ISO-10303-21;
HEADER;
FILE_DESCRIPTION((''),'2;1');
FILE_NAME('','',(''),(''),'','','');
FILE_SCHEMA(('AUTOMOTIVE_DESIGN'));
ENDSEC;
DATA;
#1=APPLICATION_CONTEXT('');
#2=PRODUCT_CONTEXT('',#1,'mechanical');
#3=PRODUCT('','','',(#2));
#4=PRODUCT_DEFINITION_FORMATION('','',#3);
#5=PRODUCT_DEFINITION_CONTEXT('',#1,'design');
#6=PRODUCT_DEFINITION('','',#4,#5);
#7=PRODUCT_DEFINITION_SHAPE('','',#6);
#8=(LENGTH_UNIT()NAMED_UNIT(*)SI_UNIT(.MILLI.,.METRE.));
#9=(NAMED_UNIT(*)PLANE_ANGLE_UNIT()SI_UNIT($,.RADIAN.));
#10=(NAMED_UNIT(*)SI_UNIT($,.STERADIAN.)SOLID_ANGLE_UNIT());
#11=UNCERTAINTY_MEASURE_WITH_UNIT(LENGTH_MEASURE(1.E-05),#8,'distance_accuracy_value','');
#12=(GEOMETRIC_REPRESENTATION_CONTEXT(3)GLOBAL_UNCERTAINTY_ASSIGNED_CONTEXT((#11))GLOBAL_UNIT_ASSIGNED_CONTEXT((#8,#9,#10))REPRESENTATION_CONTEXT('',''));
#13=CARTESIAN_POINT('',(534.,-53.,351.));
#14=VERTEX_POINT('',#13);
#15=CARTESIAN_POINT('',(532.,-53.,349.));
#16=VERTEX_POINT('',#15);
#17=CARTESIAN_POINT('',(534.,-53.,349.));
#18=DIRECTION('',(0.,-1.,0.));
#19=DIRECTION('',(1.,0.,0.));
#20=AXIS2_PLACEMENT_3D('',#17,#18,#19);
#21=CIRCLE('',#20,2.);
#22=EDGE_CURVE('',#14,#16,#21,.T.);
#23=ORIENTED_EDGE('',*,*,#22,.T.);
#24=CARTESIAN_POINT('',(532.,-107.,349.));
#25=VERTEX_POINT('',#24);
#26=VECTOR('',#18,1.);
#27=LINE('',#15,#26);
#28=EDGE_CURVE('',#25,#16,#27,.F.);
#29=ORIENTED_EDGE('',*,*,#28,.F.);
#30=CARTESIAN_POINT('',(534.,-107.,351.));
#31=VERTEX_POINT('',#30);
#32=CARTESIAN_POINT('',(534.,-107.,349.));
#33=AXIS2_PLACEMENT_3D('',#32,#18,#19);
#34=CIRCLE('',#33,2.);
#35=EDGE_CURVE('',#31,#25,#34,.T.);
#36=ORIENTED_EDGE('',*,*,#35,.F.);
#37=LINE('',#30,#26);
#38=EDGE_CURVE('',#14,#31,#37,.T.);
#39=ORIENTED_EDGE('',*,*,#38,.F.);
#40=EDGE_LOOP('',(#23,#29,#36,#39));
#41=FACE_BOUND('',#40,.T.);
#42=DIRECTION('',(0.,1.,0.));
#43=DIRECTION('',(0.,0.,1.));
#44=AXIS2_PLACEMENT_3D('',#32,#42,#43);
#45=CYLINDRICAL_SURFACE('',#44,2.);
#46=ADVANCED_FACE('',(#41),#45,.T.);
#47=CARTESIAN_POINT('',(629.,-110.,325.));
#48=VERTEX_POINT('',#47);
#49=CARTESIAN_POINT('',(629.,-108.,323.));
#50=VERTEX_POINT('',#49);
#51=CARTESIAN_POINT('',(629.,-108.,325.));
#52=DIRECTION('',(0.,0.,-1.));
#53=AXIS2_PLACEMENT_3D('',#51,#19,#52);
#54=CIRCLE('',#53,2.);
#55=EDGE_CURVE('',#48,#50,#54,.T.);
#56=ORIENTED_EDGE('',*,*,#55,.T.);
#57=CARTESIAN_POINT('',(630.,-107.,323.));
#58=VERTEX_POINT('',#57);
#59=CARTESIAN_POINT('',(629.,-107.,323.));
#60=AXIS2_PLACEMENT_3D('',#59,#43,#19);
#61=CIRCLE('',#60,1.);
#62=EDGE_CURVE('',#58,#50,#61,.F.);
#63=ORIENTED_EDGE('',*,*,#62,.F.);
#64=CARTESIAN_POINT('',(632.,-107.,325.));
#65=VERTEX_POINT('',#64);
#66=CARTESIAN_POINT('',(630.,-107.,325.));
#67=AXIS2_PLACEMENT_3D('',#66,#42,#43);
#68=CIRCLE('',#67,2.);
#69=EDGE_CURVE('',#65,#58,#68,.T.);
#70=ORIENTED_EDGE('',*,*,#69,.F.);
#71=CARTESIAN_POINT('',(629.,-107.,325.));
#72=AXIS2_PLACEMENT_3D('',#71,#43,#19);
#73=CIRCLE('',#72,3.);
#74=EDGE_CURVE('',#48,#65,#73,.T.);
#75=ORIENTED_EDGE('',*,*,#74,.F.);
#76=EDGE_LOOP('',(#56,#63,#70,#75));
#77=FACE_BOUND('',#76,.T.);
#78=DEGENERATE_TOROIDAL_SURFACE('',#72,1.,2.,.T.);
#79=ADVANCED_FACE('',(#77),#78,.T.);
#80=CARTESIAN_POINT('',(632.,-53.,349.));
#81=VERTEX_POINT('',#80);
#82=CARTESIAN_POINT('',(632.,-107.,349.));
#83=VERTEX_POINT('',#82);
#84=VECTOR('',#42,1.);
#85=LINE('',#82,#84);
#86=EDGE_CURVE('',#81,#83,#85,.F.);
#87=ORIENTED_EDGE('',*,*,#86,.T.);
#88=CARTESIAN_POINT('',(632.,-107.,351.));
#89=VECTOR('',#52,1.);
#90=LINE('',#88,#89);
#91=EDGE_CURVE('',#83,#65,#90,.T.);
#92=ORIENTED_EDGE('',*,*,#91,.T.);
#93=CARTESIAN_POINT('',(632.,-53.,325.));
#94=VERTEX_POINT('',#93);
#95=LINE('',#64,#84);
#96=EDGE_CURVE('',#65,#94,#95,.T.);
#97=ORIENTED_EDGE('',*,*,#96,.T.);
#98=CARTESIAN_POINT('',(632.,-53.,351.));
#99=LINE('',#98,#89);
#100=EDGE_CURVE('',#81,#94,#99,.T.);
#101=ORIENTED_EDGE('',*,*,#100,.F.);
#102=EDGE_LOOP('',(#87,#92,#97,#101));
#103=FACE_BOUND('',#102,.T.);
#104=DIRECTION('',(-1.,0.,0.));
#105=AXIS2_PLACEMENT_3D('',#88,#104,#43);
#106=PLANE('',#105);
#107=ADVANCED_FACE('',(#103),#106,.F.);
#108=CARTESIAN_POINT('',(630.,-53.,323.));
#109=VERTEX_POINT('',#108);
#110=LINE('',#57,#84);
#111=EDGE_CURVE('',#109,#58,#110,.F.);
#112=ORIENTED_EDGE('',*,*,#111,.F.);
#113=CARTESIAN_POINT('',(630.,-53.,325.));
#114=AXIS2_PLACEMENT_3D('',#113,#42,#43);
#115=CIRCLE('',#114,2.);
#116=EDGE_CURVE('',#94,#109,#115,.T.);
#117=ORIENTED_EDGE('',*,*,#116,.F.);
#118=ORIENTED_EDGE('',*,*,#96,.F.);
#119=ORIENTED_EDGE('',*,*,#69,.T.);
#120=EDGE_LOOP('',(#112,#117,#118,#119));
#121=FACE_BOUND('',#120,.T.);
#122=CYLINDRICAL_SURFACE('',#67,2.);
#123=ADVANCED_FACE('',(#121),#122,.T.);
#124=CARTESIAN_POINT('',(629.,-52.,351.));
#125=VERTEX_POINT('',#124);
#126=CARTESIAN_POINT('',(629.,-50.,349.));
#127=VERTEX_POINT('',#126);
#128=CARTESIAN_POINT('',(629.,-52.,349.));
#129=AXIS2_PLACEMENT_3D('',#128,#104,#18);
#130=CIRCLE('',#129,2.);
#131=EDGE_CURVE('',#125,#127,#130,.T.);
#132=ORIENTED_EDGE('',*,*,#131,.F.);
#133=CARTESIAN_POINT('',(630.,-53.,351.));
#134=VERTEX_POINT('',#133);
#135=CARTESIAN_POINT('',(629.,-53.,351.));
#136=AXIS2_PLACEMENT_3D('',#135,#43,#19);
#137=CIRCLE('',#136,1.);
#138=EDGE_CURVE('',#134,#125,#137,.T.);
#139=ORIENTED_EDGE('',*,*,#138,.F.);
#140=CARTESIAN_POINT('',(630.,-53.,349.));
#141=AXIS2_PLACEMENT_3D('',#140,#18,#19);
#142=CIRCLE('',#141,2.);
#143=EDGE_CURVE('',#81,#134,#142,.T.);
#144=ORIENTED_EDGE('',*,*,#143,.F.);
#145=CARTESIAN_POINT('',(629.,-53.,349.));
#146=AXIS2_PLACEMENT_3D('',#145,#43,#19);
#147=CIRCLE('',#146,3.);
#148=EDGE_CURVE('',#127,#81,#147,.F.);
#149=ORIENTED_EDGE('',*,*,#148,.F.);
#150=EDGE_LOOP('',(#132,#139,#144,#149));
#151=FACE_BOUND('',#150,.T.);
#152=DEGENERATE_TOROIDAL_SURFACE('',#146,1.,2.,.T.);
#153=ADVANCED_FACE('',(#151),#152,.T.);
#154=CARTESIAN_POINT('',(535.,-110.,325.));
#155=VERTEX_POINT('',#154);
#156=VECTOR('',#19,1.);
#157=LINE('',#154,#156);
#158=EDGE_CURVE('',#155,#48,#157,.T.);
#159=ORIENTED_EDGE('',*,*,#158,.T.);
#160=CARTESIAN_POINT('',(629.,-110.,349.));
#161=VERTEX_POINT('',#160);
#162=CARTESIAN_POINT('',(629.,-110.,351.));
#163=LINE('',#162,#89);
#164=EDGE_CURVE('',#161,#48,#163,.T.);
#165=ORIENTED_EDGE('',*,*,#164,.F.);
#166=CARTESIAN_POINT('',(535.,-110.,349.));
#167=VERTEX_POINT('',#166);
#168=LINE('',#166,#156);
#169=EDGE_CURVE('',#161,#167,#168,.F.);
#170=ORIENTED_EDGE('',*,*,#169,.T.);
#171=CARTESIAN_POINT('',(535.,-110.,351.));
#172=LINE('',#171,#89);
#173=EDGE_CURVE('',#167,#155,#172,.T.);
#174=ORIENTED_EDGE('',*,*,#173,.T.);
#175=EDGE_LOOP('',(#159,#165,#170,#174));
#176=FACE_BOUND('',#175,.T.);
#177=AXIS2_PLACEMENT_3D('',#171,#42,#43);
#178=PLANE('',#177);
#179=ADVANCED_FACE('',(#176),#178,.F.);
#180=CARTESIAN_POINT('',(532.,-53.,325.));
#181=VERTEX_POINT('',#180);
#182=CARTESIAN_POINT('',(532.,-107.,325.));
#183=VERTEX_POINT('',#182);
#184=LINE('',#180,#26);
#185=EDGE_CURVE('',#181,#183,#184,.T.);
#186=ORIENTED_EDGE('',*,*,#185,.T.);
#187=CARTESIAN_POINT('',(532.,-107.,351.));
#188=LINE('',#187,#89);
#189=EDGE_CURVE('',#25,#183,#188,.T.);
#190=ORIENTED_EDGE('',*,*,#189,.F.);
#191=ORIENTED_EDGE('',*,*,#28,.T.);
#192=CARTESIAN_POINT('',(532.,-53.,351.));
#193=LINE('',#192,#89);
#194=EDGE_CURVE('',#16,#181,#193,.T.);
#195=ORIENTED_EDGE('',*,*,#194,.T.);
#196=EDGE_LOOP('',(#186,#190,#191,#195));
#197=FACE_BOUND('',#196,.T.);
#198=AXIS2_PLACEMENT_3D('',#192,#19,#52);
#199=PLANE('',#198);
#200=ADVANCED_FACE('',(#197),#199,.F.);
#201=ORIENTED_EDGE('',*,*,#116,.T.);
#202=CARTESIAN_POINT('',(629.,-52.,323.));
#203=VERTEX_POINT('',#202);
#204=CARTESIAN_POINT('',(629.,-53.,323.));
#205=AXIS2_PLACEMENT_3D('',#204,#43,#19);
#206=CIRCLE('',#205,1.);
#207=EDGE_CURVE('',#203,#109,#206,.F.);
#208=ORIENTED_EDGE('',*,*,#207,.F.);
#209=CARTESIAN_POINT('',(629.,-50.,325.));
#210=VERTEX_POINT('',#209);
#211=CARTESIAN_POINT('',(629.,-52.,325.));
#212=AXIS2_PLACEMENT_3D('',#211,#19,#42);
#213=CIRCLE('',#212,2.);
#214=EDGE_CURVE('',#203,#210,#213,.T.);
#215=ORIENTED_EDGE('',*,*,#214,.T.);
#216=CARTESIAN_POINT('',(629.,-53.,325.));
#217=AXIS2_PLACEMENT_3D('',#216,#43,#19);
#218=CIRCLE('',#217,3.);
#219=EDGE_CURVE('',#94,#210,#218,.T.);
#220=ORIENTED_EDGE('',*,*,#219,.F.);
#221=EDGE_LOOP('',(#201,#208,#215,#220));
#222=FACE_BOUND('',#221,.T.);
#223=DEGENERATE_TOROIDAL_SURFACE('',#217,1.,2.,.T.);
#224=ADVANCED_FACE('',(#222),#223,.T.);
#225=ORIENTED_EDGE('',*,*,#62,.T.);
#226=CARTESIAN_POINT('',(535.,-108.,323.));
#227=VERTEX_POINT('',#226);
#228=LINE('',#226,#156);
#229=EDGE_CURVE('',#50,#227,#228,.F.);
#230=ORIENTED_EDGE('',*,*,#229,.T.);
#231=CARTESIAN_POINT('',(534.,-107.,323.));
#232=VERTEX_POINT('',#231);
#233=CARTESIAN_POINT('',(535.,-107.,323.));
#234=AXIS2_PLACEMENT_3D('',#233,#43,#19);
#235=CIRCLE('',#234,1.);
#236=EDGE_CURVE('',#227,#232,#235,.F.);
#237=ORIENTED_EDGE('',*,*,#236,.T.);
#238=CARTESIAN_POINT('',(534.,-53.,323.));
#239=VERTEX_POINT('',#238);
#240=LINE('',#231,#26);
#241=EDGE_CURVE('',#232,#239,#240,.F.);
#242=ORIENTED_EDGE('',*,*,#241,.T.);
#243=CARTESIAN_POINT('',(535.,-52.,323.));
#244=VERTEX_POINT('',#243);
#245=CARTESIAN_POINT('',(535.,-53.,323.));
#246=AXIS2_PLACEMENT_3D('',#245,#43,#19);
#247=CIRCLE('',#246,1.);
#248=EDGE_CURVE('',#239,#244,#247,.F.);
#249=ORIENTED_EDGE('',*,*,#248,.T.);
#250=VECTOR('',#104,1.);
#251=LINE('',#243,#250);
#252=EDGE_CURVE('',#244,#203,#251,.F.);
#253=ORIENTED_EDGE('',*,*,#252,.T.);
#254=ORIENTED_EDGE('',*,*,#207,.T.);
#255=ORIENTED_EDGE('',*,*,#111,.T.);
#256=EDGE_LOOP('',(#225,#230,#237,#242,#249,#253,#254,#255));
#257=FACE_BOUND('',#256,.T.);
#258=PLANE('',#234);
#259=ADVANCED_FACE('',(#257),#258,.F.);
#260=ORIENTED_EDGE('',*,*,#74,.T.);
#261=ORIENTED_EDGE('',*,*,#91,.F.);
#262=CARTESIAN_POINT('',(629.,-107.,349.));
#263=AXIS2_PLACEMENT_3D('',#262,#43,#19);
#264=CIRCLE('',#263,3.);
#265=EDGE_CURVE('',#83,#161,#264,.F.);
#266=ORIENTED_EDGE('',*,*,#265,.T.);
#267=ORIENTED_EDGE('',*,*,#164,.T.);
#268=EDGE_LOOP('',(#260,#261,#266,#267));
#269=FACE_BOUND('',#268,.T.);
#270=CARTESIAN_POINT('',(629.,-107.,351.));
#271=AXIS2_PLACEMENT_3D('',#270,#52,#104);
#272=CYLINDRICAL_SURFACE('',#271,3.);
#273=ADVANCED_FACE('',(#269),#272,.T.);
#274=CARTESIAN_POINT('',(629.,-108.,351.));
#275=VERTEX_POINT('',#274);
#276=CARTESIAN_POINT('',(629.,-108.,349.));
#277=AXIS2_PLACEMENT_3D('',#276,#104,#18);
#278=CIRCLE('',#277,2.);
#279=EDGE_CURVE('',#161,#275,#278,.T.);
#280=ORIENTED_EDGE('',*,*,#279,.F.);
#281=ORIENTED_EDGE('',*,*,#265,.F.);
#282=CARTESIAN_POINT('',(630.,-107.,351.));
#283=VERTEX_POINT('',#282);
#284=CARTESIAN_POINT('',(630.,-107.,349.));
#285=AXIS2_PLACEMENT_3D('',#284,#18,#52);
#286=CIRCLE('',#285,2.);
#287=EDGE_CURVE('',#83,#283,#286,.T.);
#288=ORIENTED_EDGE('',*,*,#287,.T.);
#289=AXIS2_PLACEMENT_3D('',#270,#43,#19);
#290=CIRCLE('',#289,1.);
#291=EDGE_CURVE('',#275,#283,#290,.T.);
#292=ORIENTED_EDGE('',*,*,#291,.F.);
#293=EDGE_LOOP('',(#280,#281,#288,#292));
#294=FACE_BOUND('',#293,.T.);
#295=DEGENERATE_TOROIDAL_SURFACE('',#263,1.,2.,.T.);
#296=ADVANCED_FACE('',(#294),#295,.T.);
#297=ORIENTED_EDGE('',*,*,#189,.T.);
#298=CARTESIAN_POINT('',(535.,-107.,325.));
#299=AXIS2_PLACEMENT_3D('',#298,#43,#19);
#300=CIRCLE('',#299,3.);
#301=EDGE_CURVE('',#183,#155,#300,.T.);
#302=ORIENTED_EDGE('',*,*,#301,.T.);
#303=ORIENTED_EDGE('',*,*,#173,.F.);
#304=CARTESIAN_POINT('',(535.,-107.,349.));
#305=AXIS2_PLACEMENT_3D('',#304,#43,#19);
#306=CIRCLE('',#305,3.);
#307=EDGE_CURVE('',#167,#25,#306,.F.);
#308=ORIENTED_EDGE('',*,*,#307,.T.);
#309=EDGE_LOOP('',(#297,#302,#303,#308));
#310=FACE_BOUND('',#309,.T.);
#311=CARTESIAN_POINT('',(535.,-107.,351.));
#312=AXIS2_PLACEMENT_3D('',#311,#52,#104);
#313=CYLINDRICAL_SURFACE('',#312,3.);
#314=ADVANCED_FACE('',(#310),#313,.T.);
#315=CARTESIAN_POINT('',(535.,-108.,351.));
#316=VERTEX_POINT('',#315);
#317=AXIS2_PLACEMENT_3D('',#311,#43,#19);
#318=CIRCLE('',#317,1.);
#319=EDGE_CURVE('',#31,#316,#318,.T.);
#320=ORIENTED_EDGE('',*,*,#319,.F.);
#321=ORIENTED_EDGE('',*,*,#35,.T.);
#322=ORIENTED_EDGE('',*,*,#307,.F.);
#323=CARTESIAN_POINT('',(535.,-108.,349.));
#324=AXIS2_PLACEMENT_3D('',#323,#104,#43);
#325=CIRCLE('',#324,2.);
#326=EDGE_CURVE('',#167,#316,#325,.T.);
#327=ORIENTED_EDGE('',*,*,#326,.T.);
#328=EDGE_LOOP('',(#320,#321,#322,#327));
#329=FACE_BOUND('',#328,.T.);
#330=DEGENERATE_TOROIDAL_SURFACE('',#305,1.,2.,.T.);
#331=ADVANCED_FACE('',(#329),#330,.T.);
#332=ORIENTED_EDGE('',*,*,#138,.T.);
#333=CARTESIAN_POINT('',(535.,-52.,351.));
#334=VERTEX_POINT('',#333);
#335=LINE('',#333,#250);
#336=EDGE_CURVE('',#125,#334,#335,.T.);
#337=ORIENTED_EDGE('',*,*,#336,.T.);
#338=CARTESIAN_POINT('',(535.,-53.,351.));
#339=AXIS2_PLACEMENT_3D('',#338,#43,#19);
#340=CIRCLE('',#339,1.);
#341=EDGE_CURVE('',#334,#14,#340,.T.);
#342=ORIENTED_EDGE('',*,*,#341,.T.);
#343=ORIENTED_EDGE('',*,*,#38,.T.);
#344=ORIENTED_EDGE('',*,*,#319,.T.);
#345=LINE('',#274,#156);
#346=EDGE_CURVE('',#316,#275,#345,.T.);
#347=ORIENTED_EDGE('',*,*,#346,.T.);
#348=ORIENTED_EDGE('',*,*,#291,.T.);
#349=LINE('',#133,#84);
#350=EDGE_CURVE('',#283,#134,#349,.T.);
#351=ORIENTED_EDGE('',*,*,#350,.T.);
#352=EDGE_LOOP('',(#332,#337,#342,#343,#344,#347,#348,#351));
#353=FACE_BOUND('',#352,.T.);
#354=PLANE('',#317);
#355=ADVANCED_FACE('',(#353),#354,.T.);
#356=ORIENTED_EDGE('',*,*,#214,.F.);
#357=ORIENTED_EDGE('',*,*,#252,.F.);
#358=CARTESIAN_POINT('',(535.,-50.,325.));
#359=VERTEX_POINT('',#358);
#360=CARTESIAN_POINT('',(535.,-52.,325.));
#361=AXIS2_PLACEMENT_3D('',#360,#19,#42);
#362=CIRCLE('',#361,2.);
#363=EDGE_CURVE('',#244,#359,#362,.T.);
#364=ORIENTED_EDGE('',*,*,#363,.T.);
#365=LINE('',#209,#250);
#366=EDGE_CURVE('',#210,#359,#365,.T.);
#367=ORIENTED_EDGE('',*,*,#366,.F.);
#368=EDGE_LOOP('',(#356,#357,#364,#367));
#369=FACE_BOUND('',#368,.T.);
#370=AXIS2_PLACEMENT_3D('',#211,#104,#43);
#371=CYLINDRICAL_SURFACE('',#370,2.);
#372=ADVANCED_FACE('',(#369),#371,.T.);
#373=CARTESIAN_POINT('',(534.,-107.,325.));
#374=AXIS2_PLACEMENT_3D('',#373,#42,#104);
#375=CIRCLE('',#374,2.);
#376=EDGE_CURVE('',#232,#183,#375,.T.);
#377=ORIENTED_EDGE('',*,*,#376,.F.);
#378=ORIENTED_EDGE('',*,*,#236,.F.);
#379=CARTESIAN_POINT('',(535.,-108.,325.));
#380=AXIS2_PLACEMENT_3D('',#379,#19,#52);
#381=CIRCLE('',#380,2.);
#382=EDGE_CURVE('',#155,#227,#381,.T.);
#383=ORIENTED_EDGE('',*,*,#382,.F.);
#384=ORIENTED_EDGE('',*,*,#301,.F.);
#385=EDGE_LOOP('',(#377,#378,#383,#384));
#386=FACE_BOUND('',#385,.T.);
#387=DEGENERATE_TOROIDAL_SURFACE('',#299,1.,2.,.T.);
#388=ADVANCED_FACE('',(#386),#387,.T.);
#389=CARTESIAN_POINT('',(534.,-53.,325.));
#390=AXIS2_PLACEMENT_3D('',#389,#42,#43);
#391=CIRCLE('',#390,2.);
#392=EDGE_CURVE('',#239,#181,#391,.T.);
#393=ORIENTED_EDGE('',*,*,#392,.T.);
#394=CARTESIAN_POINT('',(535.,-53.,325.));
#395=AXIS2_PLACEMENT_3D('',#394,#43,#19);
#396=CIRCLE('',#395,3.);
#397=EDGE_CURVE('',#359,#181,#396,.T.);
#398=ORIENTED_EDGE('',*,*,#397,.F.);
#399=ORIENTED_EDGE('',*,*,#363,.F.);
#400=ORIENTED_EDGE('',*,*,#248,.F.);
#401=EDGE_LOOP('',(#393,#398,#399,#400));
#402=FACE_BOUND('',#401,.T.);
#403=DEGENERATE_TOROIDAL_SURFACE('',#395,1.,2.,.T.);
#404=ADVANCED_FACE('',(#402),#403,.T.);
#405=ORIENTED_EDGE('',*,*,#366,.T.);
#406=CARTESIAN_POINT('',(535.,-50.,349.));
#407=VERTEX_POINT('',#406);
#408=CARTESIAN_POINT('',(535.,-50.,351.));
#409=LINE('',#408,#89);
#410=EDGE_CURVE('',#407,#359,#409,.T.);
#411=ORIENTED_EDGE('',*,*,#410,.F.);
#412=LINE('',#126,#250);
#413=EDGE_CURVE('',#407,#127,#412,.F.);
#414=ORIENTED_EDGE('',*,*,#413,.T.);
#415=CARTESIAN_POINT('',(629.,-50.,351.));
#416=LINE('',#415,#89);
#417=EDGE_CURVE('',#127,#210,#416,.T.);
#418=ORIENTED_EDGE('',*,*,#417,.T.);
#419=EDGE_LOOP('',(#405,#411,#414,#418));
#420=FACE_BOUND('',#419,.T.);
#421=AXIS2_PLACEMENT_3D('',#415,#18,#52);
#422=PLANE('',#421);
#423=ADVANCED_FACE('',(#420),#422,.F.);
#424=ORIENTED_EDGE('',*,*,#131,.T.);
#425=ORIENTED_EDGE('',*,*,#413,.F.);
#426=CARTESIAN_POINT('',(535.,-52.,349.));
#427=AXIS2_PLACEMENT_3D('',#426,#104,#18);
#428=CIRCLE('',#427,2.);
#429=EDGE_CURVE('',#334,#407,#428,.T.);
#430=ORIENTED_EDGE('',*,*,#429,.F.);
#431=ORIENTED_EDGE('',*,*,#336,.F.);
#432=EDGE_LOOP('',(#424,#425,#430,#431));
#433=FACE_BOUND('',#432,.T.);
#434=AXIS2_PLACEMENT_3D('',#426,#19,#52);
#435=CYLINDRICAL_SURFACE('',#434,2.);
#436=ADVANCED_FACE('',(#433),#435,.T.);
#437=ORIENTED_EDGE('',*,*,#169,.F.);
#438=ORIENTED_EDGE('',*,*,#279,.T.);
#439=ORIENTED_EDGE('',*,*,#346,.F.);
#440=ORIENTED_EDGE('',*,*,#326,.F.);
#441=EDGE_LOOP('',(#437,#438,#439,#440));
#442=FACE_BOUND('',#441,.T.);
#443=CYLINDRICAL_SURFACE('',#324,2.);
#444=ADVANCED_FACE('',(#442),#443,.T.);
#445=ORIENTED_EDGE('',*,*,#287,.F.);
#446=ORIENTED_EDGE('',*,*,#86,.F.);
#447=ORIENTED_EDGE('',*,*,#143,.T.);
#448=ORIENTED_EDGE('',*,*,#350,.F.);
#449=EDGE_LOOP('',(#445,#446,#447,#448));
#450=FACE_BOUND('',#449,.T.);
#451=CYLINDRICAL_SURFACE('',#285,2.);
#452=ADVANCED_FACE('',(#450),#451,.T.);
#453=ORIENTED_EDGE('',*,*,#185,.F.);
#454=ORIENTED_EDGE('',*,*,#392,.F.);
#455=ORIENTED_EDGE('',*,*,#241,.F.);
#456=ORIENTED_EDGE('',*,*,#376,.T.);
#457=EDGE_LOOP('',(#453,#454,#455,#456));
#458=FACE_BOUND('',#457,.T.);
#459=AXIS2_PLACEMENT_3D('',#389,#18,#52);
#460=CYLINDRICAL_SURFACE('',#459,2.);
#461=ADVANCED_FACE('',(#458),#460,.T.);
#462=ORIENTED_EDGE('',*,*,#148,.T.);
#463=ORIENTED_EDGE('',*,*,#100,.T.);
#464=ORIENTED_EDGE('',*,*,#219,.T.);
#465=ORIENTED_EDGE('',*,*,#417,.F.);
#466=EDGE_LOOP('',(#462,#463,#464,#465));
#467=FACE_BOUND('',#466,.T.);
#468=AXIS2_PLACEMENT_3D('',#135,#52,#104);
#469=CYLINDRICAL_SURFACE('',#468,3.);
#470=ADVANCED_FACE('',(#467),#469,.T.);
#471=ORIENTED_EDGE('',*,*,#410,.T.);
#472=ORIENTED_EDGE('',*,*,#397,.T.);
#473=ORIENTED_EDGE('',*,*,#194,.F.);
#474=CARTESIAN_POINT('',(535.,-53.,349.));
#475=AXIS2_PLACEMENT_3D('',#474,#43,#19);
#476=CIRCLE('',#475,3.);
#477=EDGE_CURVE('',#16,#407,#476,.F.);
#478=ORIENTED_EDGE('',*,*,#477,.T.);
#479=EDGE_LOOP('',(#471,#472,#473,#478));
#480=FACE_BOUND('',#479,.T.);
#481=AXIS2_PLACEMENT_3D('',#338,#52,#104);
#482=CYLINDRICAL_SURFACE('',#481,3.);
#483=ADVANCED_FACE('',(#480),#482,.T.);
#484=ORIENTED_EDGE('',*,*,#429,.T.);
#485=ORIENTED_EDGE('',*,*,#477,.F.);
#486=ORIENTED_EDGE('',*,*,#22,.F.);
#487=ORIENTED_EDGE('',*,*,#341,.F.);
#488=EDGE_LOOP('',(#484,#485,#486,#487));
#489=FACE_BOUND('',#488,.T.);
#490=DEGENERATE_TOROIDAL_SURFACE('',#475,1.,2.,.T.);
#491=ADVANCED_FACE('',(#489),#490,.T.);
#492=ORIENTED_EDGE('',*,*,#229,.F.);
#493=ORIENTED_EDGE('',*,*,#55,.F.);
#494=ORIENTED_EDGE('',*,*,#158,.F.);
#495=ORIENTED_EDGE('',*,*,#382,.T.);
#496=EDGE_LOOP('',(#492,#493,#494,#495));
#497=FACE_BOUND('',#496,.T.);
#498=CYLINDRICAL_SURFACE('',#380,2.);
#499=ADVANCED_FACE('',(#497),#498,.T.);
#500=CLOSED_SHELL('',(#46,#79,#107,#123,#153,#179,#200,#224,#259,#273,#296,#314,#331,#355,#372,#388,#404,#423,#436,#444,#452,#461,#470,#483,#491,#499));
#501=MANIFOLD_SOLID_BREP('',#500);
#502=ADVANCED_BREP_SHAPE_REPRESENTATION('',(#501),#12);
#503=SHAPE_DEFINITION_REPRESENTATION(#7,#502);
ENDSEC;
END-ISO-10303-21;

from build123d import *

# Parameters (mm, degrees)
BLOCK_START           = 323
BLOCK_1_DEPTH         = 28
BLOCK_EDGE_FILLET_1_R = 2


with BuildPart() as part:
    # Block sketch 1 → Block 1 (new body)
    with BuildSketch(Plane.XY.offset(BLOCK_START)):
        with BuildLine():
            Line((535, -110), (629, -110))
            ThreePointArc((629, -110), (631.121320344, -109.121320344), (632, -107))
            Line((632, -107), (632, -53))
            ThreePointArc((632, -53), (631.121320344, -50.878679656), (629, -50))
            Line((629, -50), (535, -50))
            ThreePointArc((535, -50), (532.878679656, -50.878679656), (532, -53))
            Line((532, -53), (532, -107))
            ThreePointArc((532, -107), (532.878679656, -109.121320344), (535, -110))
        make_face()
    extrude(amount=BLOCK_1_DEPTH)

    # Block edge fillet 1
    block_edge_fillet_1_edges = [part.edges().sort_by_distance(p)[0] for p in [
        (632, -80, 323),
        (631.121320344, -109.121320344, 323),
        (582, -110, 323),
        (532.878679656, -109.121320344, 323),
        (631.121320344, -109.121320344, 351),
        (632, -80, 351),
        (631.121320344, -50.878679656, 351),
        (582, -50, 351),
        (532.878679656, -50.878679656, 351),
        (532, -80, 351),
        (532.878679656, -109.121320344, 351),
        (532, -80, 323),
        (582, -110, 351),
        (532.878679656, -50.878679656, 323),
        (582, -50, 323),
        (631.121320344, -50.878679656, 323),
    ]]
    fillet(block_edge_fillet_1_edges, radius=BLOCK_EDGE_FILLET_1_R)


solid = part.part
